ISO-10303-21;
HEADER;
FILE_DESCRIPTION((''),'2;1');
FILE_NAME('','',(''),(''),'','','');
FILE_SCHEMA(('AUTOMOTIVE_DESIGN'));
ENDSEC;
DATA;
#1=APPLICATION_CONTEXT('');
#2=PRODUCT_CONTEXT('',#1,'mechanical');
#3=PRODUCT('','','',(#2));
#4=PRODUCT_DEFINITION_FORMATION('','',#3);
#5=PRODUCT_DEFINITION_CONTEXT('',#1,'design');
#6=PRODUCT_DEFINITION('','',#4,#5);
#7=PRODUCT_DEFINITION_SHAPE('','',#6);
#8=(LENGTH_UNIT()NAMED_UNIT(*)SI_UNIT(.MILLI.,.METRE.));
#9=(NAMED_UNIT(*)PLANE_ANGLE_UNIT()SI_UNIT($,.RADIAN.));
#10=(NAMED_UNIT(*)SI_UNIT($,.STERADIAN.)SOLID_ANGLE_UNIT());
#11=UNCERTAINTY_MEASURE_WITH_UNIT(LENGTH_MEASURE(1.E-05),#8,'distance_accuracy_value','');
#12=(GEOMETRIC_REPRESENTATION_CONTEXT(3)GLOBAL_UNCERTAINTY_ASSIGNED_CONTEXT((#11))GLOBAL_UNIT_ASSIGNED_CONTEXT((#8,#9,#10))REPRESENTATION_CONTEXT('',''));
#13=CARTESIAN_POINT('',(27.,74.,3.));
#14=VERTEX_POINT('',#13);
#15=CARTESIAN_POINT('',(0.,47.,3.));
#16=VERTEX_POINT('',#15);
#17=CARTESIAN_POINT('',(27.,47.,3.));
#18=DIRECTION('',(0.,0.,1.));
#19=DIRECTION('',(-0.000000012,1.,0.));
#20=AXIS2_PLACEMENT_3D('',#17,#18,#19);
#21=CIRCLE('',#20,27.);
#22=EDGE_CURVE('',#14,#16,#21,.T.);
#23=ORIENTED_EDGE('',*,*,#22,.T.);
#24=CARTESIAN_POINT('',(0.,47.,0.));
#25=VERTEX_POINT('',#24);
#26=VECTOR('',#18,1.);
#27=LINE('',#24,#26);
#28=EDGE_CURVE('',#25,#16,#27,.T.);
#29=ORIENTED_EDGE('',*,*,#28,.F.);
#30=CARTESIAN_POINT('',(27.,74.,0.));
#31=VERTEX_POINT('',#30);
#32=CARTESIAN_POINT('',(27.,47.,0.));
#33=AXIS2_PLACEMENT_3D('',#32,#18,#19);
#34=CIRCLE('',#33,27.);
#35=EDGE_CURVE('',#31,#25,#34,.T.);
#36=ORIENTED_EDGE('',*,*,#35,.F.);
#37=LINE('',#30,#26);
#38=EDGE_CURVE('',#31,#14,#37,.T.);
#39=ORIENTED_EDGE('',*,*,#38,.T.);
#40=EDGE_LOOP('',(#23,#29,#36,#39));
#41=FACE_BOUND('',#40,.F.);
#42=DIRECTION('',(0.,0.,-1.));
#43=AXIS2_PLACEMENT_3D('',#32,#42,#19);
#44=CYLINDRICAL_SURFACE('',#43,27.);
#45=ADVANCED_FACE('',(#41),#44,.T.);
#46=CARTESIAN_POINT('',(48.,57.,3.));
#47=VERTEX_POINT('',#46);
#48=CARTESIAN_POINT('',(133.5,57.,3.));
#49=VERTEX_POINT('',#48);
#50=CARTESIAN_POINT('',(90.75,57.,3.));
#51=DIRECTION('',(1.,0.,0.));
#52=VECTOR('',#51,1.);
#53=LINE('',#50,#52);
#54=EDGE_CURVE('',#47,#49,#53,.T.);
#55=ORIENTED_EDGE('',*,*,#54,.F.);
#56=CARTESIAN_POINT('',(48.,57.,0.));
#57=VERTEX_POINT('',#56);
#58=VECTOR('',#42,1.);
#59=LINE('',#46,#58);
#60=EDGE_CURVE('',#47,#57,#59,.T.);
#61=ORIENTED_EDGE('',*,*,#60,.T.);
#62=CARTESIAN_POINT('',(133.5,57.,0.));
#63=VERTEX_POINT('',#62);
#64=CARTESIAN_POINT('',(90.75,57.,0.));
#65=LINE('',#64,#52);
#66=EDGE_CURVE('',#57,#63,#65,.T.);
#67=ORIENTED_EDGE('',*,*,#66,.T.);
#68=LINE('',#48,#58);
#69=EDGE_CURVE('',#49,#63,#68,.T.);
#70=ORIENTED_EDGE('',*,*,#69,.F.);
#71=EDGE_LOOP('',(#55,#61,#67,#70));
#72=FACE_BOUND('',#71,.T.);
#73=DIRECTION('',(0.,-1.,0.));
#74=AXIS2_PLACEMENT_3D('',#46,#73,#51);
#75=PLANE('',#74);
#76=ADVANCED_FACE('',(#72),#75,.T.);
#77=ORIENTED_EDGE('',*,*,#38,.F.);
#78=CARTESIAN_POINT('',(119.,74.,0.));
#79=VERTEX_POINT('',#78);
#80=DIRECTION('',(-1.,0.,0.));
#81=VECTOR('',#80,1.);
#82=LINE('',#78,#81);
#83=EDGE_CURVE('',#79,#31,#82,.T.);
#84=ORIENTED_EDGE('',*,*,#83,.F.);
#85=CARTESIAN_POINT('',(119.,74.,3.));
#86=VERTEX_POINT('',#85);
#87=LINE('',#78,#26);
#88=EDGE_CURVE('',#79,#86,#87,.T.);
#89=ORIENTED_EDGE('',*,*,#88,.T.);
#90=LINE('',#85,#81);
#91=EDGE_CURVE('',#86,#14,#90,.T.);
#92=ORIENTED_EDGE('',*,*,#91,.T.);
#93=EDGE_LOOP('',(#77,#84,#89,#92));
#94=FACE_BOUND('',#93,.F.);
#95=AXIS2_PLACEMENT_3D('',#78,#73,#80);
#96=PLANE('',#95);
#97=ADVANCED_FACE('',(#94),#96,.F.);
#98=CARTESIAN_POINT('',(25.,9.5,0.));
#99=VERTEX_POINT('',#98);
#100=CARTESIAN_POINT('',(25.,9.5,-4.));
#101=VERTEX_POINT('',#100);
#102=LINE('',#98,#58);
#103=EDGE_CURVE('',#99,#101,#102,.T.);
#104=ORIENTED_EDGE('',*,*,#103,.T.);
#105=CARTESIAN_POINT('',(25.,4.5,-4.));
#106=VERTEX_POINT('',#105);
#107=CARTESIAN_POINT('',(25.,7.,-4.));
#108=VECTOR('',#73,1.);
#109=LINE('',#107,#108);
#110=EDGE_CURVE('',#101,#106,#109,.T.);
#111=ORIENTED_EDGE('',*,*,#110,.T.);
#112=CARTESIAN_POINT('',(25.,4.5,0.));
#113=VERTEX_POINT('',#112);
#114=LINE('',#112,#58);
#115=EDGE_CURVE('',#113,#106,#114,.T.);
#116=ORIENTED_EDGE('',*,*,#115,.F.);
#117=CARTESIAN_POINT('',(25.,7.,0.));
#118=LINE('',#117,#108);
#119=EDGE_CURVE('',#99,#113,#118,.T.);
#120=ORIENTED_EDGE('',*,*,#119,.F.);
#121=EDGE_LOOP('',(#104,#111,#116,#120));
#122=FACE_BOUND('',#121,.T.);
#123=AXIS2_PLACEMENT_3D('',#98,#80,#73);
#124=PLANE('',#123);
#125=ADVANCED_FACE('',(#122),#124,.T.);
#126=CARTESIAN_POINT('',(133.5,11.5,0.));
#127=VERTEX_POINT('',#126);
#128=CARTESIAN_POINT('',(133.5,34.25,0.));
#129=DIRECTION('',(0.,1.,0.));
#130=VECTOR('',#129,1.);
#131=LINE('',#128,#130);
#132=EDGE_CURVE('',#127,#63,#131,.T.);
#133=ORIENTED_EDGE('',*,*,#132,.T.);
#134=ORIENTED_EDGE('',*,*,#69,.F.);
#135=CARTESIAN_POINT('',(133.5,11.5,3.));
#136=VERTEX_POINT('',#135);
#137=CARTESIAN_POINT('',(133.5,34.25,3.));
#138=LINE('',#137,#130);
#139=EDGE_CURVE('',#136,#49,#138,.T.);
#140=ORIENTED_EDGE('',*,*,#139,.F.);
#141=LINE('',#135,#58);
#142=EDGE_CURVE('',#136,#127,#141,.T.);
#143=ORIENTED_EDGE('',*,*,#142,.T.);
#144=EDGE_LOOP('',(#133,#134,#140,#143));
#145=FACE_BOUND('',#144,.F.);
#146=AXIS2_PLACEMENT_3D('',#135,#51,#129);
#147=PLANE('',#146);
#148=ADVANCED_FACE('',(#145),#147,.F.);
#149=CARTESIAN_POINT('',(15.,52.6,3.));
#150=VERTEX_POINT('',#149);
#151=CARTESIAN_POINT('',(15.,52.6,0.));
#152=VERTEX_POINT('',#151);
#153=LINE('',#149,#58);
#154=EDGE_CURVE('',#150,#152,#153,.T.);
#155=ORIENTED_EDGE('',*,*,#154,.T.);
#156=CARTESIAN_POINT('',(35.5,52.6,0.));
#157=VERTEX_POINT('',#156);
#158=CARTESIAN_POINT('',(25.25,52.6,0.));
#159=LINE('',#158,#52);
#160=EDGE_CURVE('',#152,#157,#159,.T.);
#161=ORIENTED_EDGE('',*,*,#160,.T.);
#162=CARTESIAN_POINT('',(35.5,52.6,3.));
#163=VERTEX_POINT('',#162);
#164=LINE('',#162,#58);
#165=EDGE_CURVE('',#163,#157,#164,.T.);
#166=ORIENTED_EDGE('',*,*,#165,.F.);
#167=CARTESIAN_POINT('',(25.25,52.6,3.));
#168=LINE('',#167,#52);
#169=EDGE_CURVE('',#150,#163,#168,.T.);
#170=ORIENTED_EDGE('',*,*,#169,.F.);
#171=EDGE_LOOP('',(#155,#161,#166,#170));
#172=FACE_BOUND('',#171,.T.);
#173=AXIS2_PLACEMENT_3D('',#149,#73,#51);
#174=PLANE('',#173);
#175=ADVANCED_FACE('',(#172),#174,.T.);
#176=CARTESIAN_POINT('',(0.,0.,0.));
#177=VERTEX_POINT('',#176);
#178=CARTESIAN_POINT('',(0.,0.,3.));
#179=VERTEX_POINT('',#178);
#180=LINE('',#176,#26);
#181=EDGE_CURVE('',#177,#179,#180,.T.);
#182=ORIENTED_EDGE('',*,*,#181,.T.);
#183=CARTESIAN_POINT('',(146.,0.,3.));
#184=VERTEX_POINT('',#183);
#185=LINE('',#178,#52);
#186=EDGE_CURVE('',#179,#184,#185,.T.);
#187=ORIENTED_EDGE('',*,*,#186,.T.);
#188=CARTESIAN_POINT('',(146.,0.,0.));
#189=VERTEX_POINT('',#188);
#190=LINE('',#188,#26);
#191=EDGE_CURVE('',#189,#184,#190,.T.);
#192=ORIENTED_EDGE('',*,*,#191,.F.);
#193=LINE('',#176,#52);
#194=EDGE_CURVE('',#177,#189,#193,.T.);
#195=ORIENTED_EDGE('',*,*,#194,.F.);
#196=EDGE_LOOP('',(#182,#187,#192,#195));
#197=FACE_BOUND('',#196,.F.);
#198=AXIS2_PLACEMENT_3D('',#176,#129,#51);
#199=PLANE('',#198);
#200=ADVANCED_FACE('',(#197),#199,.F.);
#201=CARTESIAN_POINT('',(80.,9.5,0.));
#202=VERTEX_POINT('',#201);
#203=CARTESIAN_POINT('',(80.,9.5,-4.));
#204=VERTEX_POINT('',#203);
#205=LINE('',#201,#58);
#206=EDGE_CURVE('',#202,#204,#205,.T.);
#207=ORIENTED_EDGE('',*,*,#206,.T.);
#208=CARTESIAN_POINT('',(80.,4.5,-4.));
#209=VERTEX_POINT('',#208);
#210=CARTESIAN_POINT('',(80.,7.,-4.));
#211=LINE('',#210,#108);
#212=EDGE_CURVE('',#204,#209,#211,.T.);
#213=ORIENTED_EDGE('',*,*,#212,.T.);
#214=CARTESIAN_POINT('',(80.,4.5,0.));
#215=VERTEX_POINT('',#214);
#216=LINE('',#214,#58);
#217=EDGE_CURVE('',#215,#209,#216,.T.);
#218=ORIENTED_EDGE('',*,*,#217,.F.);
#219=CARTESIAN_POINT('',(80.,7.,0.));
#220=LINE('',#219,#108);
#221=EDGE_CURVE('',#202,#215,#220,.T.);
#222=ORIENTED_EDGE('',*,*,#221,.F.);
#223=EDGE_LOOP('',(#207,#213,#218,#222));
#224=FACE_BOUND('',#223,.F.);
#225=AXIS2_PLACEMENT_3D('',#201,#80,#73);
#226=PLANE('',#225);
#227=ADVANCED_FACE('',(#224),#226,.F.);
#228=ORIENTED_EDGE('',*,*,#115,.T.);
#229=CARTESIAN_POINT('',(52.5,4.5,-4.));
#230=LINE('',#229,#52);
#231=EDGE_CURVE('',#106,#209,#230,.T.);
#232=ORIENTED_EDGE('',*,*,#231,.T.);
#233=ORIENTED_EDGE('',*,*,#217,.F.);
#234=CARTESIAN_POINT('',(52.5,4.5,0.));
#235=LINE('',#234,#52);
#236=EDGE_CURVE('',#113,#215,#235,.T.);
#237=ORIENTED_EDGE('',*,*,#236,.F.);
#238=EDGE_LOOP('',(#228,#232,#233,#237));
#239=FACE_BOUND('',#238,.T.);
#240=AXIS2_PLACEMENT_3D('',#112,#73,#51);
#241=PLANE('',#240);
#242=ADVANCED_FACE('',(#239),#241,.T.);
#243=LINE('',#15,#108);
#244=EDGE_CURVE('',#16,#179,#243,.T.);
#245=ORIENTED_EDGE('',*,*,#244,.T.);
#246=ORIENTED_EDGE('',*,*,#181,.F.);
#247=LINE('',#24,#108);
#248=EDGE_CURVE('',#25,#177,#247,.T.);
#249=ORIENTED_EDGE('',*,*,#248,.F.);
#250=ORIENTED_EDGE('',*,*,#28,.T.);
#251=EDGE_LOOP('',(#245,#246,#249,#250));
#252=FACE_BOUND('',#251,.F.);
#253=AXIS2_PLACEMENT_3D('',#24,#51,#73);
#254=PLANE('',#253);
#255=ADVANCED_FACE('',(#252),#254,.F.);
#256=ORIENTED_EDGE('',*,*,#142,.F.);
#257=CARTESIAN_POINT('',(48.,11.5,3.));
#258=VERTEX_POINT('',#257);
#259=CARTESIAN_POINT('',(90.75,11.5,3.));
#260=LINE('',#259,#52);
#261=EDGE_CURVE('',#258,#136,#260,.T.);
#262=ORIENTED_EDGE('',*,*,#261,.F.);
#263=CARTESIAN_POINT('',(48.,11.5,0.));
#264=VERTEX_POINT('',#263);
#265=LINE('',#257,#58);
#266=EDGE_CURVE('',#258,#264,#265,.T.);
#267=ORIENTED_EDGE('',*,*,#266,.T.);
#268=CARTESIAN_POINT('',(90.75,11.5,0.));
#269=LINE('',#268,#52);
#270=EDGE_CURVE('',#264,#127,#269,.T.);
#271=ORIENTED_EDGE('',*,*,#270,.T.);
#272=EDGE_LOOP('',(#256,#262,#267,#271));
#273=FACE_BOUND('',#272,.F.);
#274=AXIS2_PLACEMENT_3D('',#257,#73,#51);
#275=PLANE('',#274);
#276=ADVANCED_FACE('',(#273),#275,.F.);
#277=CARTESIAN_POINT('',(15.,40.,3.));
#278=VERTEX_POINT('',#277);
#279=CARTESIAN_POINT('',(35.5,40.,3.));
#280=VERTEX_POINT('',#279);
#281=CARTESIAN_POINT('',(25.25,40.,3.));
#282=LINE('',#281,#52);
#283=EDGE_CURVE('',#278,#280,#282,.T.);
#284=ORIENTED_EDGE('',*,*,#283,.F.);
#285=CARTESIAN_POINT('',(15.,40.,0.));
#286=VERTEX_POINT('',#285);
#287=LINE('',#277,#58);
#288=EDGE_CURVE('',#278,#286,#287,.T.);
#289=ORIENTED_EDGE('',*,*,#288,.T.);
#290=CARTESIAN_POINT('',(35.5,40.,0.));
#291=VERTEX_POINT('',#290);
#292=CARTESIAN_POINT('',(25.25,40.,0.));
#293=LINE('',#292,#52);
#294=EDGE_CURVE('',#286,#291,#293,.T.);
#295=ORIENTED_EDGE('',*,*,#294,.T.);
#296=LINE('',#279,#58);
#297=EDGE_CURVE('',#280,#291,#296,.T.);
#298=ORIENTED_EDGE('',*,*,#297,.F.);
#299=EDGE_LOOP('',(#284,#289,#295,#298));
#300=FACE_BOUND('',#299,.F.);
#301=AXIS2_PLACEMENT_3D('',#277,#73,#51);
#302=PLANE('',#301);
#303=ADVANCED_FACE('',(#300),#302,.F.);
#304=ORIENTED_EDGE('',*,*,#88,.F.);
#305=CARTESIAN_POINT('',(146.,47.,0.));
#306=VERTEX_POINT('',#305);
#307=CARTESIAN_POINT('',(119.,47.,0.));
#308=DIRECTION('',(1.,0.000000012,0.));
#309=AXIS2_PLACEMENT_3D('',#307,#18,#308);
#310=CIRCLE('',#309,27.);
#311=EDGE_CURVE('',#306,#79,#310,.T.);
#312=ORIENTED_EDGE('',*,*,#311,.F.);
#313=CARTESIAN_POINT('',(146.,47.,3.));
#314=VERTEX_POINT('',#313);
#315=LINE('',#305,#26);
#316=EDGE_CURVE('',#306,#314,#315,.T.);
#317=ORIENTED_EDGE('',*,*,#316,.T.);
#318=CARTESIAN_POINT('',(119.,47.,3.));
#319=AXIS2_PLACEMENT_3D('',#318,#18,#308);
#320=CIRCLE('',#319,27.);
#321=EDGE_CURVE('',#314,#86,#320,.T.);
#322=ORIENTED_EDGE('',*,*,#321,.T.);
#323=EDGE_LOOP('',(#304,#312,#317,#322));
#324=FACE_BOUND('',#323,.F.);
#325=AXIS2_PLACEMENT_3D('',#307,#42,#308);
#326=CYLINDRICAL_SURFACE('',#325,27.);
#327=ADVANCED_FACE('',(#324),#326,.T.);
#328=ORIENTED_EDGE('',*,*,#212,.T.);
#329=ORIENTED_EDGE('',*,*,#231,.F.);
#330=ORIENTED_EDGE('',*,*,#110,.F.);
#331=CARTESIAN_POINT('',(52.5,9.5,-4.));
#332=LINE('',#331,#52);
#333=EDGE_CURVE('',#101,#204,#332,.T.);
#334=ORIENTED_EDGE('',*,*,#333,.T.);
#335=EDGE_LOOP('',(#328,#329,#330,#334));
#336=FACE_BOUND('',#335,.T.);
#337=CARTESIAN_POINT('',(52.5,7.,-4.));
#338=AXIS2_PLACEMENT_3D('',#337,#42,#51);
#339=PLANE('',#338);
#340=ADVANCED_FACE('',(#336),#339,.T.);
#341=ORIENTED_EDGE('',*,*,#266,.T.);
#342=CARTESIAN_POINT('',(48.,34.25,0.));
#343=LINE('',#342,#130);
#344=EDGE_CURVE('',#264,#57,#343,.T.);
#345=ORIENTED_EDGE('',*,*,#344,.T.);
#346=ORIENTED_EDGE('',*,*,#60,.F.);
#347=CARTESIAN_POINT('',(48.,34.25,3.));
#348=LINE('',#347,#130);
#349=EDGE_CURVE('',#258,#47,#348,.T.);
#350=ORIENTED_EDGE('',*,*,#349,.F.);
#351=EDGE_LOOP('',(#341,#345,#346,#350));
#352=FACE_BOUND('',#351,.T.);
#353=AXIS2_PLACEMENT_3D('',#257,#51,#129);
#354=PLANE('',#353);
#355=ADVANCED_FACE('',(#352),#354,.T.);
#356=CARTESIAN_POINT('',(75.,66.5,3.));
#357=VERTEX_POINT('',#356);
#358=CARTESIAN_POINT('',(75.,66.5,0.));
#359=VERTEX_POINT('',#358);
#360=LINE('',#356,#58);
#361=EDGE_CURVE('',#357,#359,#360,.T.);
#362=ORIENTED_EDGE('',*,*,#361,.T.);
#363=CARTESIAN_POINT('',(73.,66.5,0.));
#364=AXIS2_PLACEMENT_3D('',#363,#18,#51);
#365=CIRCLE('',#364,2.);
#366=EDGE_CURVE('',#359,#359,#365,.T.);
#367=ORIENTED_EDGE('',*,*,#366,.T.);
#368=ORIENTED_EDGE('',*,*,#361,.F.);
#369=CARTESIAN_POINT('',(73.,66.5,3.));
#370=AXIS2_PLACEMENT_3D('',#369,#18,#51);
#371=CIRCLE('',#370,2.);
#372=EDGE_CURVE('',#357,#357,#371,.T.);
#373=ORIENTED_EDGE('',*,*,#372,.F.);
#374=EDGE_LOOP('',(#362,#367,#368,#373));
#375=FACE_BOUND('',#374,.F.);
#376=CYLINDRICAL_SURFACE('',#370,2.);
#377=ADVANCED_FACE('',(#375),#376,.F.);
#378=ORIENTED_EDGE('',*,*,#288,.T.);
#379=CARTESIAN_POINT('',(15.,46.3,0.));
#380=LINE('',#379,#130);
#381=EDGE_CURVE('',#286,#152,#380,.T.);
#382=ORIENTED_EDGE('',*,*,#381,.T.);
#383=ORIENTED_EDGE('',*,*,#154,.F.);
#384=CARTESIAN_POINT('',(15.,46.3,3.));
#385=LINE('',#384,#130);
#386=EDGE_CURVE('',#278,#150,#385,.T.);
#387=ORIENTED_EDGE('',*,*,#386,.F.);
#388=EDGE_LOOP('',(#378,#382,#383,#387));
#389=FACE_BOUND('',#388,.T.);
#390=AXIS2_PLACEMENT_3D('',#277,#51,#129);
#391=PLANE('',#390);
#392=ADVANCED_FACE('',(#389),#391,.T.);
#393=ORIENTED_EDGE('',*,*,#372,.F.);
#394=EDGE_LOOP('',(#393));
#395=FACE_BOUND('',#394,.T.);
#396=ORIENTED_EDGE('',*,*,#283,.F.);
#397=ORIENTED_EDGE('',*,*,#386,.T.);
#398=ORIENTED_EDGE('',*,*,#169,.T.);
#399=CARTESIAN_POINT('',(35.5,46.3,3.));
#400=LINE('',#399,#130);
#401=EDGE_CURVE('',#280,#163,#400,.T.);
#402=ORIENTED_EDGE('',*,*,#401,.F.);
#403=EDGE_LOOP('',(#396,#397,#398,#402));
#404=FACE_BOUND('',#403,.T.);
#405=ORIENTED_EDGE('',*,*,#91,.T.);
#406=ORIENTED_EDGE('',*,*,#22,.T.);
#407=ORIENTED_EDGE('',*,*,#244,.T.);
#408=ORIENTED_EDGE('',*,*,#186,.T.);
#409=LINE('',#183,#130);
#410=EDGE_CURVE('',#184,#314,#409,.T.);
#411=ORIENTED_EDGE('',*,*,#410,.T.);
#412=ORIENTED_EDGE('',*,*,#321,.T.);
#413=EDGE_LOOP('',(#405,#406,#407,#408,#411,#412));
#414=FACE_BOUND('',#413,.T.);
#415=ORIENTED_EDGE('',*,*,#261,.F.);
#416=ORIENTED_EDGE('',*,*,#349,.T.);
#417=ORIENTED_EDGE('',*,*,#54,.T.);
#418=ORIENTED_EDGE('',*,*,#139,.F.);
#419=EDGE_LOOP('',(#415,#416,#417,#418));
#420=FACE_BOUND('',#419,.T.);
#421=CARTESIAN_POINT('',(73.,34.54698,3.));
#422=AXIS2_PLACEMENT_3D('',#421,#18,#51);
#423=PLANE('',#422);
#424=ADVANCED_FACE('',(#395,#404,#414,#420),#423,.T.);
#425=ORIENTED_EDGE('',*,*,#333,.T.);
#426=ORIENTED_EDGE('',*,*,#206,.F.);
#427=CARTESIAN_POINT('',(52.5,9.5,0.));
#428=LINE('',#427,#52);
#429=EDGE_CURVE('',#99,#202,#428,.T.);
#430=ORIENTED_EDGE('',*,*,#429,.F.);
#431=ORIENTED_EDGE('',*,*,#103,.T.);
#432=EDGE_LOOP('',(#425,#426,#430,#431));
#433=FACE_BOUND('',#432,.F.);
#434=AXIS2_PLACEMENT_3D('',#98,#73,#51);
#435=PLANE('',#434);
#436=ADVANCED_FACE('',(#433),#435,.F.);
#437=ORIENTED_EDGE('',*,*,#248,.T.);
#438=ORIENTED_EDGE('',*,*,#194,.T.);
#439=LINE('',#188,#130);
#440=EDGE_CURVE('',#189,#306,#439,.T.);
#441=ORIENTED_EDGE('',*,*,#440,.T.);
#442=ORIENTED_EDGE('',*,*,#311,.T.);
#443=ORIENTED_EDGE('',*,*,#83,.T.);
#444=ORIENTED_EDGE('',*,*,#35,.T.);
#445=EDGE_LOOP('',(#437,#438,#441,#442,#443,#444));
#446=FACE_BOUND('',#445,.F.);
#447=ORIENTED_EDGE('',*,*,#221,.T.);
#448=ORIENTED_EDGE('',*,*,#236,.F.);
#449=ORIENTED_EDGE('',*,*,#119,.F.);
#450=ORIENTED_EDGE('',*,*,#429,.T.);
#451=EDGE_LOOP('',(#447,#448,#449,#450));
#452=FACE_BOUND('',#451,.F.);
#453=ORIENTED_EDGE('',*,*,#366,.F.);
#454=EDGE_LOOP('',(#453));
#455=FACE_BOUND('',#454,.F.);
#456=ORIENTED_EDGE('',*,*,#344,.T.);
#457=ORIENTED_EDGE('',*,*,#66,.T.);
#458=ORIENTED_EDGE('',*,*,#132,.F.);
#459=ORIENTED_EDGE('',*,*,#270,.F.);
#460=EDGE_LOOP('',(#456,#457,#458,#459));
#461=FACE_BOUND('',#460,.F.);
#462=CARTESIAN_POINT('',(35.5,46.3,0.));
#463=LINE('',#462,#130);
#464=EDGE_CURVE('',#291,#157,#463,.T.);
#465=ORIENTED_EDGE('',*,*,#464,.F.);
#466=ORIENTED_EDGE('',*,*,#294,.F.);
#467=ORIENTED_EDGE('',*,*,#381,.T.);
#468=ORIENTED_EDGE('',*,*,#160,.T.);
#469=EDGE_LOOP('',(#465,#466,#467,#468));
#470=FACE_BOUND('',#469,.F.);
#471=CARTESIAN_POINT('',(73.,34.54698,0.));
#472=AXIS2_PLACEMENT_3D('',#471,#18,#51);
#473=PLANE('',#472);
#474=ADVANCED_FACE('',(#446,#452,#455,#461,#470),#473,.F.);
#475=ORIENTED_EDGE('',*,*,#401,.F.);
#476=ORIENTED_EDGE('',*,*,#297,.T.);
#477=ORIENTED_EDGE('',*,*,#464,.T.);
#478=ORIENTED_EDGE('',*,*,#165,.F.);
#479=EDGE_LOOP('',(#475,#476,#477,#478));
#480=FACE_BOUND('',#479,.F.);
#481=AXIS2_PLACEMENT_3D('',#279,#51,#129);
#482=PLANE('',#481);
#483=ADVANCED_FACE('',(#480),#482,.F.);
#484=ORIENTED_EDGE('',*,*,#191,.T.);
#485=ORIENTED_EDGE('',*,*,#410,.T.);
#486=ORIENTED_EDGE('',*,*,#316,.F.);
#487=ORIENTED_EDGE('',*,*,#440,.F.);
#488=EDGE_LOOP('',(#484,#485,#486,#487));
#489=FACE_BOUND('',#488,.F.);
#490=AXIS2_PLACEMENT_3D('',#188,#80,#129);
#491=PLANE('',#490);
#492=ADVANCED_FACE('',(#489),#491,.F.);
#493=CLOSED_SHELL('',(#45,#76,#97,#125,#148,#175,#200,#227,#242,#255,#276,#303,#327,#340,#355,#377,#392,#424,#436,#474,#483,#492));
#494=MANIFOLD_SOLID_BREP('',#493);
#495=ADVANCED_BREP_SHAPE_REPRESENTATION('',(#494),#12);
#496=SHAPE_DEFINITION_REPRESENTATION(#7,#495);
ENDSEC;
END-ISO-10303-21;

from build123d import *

# Parameters (mm, degrees)
F1_DEPTH = 3
F2_W     = 20.5
F2_H     = 12.6
F2_R     = 2
F2_W_2   = 85.5
F2_H_2   = 45.5
F3_DEPTH = 3
F4_W     = 55
F4_H     = 5
F5_DEPTH = 4


with BuildPart() as f1:
    # F0 (on Top) → F1 (new body)
    with BuildSketch(Plane.XY):
        with BuildLine():
            Line((0, 0), (2.5, 0))
            Line((2.5, 0), (143.5, 0))
            Line((143.5, 0), (146, 0))
            Line((146, 0), (146, 4.25))
            Line((146, 4.25), (146, 47))
            ThreePointArc((146, 47), (138.091883, 66.091883), (119, 74))
            Line((119, 74), (27, 74))
            ThreePointArc((27, 74), (7.908117, 66.091883), (0, 47))
            Line((0, 47), (0, 4.25))
            Line((0, 4.25), (0, 0))
        make_face()
    extrude(amount=F1_DEPTH)

    # F2 (on face) → F3 (cut)
    with BuildSketch(Plane.XY.offset(3)):
        with Locations((25.25, 46.3)):
            Rectangle(F2_W, F2_H)
        with Locations((73, 66.5)):
            Circle(F2_R)
        with Locations((90.75, 34.25)):
            Rectangle(F2_W_2, F2_H_2)
    extrude(amount=-F3_DEPTH, mode=Mode.SUBTRACT)

    # F4 (on face) → F5 (join)
    with BuildSketch(Plane(origin=(0, 0, 0), x_dir=(1, 0, 0), z_dir=(0, 0, -1))):
        with Locations((52.5, -7)):
            Rectangle(F4_W, F4_H)
    extrude(amount=F5_DEPTH)


solid = f1.part
